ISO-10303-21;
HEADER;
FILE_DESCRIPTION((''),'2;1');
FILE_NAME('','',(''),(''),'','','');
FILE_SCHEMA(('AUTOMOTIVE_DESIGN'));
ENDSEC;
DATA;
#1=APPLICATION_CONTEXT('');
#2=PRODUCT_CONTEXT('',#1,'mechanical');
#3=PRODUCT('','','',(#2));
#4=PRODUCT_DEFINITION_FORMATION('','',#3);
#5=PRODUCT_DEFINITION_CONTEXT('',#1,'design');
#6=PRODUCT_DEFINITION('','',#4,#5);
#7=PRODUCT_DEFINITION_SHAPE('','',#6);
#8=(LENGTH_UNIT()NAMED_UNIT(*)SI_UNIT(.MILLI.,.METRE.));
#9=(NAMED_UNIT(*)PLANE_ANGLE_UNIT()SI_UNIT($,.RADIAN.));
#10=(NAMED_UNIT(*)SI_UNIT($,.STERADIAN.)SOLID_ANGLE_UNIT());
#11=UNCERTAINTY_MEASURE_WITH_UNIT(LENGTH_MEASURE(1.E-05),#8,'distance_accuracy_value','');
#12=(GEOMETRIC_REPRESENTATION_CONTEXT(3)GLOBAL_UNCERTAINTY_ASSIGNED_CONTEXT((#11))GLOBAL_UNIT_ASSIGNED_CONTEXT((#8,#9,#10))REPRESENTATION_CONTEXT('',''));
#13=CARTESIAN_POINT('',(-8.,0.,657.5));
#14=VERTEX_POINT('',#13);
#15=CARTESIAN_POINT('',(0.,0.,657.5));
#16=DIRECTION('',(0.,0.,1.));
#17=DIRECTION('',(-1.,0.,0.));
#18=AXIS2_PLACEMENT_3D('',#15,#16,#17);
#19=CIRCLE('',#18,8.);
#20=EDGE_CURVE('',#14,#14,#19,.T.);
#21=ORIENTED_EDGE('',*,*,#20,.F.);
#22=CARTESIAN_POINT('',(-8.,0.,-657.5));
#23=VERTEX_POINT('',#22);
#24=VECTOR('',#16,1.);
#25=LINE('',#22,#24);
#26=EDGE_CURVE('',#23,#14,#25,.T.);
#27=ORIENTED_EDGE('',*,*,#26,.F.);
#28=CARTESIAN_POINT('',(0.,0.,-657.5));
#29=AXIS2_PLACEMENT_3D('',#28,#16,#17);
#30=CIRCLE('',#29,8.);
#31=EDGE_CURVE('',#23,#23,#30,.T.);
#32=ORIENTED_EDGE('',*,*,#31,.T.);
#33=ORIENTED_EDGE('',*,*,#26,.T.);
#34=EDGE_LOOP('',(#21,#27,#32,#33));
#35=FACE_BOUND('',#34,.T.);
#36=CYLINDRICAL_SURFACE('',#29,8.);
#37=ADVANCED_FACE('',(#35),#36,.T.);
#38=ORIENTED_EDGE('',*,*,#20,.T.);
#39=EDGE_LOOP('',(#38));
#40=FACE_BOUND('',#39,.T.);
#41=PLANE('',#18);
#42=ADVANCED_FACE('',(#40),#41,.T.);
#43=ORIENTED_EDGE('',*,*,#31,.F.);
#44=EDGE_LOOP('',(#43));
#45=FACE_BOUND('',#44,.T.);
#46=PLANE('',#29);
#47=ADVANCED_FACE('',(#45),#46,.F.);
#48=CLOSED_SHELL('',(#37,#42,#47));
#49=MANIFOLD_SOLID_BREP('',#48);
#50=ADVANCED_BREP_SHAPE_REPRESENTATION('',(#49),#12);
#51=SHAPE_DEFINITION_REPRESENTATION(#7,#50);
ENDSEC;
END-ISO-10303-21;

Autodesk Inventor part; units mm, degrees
ref_plane "YZ Plane" through (0, 0, 0) normal (1, 0, 0) x (0, 1, 0)
ref_plane "XZ Plane" through (0, 0, 0) normal (0, 1, 0) x (-1, 0, 0)
ref_plane "XY Plane" through (0, 0, 0) normal (0, 0, 1) x (1, 0, 0)
sketch "Sketch1" plane through (0, 0, 0) normal (0, 1, 0) x (-1, 0, 0)
  line L0 (0, -657.5) -> (0, 657.5)
  line L1 (0, -657.5) -> (8, -657.5)
  line L2 (8, -657.5) -> (8, 657.5)
  line L3 (8, 657.5) -> (0, 657.5)
  point P0 (0, 0)
  point P1 (0, 0)
  dimension "d0" = 1315
  dimension "d3" = 16
revolve "Revolution1" add sketch "Sketch1" angle 360 about axis through (0, 0, -657.5) along (0, 0, 1)
properties part number "eixo-cromado-16h7" material "Stainless Steel"
